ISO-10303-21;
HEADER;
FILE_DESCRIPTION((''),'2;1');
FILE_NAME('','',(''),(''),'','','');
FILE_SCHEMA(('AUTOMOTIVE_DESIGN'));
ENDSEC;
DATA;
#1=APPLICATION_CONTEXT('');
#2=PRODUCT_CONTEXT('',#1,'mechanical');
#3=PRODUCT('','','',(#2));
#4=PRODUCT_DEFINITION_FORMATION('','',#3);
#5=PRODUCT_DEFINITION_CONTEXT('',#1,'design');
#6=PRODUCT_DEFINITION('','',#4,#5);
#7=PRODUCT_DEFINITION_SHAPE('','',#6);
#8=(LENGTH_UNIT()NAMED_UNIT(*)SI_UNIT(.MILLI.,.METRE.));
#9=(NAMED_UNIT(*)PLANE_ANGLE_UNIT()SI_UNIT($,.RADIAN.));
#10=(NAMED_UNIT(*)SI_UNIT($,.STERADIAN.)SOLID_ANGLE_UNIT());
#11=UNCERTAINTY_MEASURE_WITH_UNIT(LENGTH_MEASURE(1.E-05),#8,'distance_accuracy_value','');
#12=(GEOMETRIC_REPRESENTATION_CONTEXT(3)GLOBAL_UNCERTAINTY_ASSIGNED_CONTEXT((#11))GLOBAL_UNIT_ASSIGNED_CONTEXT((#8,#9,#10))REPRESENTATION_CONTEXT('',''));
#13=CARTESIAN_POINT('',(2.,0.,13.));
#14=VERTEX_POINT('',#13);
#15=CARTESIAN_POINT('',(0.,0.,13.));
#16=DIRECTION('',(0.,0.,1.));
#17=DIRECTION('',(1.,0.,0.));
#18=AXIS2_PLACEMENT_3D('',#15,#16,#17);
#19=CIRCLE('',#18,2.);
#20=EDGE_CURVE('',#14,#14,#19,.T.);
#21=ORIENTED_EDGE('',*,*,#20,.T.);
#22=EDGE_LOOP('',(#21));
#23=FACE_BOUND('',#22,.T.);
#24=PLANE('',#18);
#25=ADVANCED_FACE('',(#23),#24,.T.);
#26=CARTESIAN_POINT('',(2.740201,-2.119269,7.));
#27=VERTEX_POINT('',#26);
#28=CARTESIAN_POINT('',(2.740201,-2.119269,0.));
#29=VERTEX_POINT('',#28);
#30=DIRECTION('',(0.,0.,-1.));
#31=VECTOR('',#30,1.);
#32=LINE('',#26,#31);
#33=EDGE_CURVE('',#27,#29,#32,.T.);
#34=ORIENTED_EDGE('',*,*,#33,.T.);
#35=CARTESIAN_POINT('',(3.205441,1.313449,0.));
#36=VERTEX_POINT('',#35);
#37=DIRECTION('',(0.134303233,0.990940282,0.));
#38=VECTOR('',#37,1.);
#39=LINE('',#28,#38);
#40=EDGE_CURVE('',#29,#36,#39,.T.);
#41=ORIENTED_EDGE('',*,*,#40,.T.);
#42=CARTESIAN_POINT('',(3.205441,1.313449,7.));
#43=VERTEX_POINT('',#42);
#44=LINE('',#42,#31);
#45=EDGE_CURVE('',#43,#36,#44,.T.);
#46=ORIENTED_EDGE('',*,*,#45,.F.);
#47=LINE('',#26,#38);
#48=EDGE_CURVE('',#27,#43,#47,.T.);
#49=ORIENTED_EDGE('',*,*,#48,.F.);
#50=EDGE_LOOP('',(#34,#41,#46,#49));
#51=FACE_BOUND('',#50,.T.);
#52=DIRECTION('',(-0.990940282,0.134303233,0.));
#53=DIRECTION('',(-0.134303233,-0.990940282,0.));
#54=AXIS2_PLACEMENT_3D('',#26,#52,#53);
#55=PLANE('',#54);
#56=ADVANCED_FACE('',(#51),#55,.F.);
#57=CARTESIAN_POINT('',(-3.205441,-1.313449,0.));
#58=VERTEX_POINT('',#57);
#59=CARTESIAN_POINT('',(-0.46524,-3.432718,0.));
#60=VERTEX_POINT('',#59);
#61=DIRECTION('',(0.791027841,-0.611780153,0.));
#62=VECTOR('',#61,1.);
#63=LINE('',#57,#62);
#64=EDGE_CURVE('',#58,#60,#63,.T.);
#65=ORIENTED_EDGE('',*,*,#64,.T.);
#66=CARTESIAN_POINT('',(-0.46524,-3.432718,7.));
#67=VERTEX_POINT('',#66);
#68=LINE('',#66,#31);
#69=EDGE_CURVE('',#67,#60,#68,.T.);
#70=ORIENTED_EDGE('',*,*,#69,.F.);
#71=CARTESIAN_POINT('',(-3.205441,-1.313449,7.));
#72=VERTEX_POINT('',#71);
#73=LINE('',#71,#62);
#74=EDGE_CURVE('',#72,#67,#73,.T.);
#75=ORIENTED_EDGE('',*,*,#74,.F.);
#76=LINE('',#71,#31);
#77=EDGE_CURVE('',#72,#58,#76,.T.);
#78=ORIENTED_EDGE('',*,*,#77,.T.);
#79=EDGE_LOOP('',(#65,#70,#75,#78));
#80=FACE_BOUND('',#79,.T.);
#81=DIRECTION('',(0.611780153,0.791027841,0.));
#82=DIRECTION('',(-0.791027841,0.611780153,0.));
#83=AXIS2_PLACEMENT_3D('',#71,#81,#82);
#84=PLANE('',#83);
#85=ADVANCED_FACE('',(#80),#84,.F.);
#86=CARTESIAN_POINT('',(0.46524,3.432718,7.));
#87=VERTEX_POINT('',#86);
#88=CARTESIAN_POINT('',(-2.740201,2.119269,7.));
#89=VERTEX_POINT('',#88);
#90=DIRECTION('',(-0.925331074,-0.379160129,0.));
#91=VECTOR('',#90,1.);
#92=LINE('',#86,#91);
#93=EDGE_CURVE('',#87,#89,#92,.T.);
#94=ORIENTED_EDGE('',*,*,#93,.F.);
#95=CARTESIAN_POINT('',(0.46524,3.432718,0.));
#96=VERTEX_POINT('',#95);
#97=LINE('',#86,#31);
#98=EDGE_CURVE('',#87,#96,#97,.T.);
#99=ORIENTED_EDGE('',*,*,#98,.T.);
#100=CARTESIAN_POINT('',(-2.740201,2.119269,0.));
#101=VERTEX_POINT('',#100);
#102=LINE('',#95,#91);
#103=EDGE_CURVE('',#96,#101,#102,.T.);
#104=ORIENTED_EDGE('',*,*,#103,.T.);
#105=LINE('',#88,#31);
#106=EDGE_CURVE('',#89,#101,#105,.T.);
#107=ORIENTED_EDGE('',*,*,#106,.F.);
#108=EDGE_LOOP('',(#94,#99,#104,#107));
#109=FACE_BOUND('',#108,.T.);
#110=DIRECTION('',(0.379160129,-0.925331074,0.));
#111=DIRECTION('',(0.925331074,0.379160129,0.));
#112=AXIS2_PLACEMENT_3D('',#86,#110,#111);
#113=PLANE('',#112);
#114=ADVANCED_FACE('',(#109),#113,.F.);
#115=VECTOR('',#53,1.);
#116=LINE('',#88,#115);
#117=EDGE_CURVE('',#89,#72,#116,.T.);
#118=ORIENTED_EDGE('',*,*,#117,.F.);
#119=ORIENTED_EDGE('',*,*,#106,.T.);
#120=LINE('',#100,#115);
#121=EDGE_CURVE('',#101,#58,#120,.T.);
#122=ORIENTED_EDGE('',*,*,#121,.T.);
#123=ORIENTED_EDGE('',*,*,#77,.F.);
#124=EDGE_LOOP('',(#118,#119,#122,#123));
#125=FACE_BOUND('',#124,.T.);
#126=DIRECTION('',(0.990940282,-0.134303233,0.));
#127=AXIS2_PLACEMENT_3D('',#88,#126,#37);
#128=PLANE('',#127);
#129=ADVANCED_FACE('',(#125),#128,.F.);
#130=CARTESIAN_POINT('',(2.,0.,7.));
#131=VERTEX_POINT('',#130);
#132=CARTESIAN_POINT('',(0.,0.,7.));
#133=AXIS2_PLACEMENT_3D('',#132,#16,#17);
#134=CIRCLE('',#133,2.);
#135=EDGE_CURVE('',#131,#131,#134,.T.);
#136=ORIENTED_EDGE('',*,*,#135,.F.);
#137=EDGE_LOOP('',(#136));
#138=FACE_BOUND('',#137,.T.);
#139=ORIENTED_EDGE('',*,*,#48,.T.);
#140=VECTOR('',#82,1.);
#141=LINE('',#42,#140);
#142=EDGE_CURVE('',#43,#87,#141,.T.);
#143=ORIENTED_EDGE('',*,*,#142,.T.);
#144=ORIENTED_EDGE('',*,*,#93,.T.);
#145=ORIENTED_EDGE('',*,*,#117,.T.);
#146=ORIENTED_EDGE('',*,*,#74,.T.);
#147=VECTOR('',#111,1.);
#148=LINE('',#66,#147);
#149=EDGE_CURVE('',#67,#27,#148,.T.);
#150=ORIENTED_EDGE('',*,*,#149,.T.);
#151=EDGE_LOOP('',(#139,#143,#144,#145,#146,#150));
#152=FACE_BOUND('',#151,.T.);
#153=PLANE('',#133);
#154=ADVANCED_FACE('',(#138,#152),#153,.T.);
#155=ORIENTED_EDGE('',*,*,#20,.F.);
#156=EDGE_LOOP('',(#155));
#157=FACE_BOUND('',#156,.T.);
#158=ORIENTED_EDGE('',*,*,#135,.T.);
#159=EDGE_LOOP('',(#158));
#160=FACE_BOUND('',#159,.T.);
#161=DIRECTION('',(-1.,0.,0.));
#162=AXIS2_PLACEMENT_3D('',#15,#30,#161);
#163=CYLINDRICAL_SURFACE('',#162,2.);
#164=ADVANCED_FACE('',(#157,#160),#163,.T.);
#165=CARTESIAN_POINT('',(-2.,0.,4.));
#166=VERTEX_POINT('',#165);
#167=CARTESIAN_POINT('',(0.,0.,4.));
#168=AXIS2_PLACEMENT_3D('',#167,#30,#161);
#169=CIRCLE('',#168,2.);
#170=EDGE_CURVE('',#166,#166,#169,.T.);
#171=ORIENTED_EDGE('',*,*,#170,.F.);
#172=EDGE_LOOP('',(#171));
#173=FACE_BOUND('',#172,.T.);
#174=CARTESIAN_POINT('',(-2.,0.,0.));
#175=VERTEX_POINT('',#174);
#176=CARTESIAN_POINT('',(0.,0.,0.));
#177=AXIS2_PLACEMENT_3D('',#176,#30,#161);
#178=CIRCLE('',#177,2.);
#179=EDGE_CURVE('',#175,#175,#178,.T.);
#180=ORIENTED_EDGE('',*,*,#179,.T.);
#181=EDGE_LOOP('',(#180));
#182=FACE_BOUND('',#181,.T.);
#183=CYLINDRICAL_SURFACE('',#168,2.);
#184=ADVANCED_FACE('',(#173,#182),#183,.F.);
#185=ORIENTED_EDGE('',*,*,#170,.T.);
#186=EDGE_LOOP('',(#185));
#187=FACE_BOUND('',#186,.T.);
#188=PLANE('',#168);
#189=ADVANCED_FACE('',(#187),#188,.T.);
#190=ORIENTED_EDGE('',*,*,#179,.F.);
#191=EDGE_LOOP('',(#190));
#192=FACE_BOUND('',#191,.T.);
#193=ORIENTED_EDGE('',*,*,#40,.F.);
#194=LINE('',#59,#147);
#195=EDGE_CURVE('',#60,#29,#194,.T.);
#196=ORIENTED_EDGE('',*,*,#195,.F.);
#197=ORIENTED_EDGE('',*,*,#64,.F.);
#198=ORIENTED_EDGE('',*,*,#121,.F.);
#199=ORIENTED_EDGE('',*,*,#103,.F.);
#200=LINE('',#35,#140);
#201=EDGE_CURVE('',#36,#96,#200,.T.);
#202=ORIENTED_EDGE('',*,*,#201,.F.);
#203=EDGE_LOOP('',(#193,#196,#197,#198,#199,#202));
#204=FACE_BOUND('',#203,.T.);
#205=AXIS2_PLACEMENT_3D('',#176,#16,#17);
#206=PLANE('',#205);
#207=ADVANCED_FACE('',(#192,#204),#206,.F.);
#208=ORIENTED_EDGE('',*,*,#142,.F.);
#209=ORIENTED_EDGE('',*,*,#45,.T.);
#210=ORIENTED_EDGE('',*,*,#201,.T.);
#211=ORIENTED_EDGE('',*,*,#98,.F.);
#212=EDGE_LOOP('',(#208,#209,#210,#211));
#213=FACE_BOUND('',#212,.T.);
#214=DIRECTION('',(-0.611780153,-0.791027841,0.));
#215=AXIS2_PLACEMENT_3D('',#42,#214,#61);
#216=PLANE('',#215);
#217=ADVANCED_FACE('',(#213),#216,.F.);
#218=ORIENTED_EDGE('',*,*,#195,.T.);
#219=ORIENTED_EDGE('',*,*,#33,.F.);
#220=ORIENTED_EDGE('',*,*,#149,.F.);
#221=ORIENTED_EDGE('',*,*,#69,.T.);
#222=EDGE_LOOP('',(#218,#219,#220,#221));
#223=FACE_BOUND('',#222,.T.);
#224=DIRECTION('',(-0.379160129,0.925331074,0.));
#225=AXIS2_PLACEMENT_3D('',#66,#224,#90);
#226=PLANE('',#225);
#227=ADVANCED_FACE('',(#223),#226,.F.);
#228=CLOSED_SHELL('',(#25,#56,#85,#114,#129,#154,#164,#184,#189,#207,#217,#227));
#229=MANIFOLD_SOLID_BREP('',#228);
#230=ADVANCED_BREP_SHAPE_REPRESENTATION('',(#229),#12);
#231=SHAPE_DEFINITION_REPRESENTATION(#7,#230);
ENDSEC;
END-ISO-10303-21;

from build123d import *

# Parameters (mm, degrees)
EXTRUDE_1_DEPTH     = 7
SKETCH_2_R          = 2
EXTRUDE_2_DEPTH     = 6
SKETCH_3_R          = 2
CUT_EXTRUDE_1_DEPTH = 4


with BuildPart() as part:
    # 草图1 → 凸台-拉伸1 (new body)
    with BuildSketch(Plane.XY):
        Polygon((2.740200821, -2.119268615), (3.205440868, 1.313449215), (0.465240048, 3.43271783), (-2.740200821, 2.119268615), (-3.205440868, -1.313449215), (-0.465240048, -3.43271783), align=None)
    extrude(amount=EXTRUDE_1_DEPTH)

    # 草图2 → 凸台-拉伸2 (add)
    with BuildSketch(Plane.XY.offset(7)):
        Circle(SKETCH_2_R)
    extrude(amount=EXTRUDE_2_DEPTH)

    # 草图3 → 切除-拉伸1 (cut)
    with BuildSketch(Plane(origin=(0, 0, 0), x_dir=(-1, 0, 0), z_dir=(0, 0, -1))):
        Circle(SKETCH_3_R)
    extrude(amount=-CUT_EXTRUDE_1_DEPTH, mode=Mode.SUBTRACT)


solid = part.part
